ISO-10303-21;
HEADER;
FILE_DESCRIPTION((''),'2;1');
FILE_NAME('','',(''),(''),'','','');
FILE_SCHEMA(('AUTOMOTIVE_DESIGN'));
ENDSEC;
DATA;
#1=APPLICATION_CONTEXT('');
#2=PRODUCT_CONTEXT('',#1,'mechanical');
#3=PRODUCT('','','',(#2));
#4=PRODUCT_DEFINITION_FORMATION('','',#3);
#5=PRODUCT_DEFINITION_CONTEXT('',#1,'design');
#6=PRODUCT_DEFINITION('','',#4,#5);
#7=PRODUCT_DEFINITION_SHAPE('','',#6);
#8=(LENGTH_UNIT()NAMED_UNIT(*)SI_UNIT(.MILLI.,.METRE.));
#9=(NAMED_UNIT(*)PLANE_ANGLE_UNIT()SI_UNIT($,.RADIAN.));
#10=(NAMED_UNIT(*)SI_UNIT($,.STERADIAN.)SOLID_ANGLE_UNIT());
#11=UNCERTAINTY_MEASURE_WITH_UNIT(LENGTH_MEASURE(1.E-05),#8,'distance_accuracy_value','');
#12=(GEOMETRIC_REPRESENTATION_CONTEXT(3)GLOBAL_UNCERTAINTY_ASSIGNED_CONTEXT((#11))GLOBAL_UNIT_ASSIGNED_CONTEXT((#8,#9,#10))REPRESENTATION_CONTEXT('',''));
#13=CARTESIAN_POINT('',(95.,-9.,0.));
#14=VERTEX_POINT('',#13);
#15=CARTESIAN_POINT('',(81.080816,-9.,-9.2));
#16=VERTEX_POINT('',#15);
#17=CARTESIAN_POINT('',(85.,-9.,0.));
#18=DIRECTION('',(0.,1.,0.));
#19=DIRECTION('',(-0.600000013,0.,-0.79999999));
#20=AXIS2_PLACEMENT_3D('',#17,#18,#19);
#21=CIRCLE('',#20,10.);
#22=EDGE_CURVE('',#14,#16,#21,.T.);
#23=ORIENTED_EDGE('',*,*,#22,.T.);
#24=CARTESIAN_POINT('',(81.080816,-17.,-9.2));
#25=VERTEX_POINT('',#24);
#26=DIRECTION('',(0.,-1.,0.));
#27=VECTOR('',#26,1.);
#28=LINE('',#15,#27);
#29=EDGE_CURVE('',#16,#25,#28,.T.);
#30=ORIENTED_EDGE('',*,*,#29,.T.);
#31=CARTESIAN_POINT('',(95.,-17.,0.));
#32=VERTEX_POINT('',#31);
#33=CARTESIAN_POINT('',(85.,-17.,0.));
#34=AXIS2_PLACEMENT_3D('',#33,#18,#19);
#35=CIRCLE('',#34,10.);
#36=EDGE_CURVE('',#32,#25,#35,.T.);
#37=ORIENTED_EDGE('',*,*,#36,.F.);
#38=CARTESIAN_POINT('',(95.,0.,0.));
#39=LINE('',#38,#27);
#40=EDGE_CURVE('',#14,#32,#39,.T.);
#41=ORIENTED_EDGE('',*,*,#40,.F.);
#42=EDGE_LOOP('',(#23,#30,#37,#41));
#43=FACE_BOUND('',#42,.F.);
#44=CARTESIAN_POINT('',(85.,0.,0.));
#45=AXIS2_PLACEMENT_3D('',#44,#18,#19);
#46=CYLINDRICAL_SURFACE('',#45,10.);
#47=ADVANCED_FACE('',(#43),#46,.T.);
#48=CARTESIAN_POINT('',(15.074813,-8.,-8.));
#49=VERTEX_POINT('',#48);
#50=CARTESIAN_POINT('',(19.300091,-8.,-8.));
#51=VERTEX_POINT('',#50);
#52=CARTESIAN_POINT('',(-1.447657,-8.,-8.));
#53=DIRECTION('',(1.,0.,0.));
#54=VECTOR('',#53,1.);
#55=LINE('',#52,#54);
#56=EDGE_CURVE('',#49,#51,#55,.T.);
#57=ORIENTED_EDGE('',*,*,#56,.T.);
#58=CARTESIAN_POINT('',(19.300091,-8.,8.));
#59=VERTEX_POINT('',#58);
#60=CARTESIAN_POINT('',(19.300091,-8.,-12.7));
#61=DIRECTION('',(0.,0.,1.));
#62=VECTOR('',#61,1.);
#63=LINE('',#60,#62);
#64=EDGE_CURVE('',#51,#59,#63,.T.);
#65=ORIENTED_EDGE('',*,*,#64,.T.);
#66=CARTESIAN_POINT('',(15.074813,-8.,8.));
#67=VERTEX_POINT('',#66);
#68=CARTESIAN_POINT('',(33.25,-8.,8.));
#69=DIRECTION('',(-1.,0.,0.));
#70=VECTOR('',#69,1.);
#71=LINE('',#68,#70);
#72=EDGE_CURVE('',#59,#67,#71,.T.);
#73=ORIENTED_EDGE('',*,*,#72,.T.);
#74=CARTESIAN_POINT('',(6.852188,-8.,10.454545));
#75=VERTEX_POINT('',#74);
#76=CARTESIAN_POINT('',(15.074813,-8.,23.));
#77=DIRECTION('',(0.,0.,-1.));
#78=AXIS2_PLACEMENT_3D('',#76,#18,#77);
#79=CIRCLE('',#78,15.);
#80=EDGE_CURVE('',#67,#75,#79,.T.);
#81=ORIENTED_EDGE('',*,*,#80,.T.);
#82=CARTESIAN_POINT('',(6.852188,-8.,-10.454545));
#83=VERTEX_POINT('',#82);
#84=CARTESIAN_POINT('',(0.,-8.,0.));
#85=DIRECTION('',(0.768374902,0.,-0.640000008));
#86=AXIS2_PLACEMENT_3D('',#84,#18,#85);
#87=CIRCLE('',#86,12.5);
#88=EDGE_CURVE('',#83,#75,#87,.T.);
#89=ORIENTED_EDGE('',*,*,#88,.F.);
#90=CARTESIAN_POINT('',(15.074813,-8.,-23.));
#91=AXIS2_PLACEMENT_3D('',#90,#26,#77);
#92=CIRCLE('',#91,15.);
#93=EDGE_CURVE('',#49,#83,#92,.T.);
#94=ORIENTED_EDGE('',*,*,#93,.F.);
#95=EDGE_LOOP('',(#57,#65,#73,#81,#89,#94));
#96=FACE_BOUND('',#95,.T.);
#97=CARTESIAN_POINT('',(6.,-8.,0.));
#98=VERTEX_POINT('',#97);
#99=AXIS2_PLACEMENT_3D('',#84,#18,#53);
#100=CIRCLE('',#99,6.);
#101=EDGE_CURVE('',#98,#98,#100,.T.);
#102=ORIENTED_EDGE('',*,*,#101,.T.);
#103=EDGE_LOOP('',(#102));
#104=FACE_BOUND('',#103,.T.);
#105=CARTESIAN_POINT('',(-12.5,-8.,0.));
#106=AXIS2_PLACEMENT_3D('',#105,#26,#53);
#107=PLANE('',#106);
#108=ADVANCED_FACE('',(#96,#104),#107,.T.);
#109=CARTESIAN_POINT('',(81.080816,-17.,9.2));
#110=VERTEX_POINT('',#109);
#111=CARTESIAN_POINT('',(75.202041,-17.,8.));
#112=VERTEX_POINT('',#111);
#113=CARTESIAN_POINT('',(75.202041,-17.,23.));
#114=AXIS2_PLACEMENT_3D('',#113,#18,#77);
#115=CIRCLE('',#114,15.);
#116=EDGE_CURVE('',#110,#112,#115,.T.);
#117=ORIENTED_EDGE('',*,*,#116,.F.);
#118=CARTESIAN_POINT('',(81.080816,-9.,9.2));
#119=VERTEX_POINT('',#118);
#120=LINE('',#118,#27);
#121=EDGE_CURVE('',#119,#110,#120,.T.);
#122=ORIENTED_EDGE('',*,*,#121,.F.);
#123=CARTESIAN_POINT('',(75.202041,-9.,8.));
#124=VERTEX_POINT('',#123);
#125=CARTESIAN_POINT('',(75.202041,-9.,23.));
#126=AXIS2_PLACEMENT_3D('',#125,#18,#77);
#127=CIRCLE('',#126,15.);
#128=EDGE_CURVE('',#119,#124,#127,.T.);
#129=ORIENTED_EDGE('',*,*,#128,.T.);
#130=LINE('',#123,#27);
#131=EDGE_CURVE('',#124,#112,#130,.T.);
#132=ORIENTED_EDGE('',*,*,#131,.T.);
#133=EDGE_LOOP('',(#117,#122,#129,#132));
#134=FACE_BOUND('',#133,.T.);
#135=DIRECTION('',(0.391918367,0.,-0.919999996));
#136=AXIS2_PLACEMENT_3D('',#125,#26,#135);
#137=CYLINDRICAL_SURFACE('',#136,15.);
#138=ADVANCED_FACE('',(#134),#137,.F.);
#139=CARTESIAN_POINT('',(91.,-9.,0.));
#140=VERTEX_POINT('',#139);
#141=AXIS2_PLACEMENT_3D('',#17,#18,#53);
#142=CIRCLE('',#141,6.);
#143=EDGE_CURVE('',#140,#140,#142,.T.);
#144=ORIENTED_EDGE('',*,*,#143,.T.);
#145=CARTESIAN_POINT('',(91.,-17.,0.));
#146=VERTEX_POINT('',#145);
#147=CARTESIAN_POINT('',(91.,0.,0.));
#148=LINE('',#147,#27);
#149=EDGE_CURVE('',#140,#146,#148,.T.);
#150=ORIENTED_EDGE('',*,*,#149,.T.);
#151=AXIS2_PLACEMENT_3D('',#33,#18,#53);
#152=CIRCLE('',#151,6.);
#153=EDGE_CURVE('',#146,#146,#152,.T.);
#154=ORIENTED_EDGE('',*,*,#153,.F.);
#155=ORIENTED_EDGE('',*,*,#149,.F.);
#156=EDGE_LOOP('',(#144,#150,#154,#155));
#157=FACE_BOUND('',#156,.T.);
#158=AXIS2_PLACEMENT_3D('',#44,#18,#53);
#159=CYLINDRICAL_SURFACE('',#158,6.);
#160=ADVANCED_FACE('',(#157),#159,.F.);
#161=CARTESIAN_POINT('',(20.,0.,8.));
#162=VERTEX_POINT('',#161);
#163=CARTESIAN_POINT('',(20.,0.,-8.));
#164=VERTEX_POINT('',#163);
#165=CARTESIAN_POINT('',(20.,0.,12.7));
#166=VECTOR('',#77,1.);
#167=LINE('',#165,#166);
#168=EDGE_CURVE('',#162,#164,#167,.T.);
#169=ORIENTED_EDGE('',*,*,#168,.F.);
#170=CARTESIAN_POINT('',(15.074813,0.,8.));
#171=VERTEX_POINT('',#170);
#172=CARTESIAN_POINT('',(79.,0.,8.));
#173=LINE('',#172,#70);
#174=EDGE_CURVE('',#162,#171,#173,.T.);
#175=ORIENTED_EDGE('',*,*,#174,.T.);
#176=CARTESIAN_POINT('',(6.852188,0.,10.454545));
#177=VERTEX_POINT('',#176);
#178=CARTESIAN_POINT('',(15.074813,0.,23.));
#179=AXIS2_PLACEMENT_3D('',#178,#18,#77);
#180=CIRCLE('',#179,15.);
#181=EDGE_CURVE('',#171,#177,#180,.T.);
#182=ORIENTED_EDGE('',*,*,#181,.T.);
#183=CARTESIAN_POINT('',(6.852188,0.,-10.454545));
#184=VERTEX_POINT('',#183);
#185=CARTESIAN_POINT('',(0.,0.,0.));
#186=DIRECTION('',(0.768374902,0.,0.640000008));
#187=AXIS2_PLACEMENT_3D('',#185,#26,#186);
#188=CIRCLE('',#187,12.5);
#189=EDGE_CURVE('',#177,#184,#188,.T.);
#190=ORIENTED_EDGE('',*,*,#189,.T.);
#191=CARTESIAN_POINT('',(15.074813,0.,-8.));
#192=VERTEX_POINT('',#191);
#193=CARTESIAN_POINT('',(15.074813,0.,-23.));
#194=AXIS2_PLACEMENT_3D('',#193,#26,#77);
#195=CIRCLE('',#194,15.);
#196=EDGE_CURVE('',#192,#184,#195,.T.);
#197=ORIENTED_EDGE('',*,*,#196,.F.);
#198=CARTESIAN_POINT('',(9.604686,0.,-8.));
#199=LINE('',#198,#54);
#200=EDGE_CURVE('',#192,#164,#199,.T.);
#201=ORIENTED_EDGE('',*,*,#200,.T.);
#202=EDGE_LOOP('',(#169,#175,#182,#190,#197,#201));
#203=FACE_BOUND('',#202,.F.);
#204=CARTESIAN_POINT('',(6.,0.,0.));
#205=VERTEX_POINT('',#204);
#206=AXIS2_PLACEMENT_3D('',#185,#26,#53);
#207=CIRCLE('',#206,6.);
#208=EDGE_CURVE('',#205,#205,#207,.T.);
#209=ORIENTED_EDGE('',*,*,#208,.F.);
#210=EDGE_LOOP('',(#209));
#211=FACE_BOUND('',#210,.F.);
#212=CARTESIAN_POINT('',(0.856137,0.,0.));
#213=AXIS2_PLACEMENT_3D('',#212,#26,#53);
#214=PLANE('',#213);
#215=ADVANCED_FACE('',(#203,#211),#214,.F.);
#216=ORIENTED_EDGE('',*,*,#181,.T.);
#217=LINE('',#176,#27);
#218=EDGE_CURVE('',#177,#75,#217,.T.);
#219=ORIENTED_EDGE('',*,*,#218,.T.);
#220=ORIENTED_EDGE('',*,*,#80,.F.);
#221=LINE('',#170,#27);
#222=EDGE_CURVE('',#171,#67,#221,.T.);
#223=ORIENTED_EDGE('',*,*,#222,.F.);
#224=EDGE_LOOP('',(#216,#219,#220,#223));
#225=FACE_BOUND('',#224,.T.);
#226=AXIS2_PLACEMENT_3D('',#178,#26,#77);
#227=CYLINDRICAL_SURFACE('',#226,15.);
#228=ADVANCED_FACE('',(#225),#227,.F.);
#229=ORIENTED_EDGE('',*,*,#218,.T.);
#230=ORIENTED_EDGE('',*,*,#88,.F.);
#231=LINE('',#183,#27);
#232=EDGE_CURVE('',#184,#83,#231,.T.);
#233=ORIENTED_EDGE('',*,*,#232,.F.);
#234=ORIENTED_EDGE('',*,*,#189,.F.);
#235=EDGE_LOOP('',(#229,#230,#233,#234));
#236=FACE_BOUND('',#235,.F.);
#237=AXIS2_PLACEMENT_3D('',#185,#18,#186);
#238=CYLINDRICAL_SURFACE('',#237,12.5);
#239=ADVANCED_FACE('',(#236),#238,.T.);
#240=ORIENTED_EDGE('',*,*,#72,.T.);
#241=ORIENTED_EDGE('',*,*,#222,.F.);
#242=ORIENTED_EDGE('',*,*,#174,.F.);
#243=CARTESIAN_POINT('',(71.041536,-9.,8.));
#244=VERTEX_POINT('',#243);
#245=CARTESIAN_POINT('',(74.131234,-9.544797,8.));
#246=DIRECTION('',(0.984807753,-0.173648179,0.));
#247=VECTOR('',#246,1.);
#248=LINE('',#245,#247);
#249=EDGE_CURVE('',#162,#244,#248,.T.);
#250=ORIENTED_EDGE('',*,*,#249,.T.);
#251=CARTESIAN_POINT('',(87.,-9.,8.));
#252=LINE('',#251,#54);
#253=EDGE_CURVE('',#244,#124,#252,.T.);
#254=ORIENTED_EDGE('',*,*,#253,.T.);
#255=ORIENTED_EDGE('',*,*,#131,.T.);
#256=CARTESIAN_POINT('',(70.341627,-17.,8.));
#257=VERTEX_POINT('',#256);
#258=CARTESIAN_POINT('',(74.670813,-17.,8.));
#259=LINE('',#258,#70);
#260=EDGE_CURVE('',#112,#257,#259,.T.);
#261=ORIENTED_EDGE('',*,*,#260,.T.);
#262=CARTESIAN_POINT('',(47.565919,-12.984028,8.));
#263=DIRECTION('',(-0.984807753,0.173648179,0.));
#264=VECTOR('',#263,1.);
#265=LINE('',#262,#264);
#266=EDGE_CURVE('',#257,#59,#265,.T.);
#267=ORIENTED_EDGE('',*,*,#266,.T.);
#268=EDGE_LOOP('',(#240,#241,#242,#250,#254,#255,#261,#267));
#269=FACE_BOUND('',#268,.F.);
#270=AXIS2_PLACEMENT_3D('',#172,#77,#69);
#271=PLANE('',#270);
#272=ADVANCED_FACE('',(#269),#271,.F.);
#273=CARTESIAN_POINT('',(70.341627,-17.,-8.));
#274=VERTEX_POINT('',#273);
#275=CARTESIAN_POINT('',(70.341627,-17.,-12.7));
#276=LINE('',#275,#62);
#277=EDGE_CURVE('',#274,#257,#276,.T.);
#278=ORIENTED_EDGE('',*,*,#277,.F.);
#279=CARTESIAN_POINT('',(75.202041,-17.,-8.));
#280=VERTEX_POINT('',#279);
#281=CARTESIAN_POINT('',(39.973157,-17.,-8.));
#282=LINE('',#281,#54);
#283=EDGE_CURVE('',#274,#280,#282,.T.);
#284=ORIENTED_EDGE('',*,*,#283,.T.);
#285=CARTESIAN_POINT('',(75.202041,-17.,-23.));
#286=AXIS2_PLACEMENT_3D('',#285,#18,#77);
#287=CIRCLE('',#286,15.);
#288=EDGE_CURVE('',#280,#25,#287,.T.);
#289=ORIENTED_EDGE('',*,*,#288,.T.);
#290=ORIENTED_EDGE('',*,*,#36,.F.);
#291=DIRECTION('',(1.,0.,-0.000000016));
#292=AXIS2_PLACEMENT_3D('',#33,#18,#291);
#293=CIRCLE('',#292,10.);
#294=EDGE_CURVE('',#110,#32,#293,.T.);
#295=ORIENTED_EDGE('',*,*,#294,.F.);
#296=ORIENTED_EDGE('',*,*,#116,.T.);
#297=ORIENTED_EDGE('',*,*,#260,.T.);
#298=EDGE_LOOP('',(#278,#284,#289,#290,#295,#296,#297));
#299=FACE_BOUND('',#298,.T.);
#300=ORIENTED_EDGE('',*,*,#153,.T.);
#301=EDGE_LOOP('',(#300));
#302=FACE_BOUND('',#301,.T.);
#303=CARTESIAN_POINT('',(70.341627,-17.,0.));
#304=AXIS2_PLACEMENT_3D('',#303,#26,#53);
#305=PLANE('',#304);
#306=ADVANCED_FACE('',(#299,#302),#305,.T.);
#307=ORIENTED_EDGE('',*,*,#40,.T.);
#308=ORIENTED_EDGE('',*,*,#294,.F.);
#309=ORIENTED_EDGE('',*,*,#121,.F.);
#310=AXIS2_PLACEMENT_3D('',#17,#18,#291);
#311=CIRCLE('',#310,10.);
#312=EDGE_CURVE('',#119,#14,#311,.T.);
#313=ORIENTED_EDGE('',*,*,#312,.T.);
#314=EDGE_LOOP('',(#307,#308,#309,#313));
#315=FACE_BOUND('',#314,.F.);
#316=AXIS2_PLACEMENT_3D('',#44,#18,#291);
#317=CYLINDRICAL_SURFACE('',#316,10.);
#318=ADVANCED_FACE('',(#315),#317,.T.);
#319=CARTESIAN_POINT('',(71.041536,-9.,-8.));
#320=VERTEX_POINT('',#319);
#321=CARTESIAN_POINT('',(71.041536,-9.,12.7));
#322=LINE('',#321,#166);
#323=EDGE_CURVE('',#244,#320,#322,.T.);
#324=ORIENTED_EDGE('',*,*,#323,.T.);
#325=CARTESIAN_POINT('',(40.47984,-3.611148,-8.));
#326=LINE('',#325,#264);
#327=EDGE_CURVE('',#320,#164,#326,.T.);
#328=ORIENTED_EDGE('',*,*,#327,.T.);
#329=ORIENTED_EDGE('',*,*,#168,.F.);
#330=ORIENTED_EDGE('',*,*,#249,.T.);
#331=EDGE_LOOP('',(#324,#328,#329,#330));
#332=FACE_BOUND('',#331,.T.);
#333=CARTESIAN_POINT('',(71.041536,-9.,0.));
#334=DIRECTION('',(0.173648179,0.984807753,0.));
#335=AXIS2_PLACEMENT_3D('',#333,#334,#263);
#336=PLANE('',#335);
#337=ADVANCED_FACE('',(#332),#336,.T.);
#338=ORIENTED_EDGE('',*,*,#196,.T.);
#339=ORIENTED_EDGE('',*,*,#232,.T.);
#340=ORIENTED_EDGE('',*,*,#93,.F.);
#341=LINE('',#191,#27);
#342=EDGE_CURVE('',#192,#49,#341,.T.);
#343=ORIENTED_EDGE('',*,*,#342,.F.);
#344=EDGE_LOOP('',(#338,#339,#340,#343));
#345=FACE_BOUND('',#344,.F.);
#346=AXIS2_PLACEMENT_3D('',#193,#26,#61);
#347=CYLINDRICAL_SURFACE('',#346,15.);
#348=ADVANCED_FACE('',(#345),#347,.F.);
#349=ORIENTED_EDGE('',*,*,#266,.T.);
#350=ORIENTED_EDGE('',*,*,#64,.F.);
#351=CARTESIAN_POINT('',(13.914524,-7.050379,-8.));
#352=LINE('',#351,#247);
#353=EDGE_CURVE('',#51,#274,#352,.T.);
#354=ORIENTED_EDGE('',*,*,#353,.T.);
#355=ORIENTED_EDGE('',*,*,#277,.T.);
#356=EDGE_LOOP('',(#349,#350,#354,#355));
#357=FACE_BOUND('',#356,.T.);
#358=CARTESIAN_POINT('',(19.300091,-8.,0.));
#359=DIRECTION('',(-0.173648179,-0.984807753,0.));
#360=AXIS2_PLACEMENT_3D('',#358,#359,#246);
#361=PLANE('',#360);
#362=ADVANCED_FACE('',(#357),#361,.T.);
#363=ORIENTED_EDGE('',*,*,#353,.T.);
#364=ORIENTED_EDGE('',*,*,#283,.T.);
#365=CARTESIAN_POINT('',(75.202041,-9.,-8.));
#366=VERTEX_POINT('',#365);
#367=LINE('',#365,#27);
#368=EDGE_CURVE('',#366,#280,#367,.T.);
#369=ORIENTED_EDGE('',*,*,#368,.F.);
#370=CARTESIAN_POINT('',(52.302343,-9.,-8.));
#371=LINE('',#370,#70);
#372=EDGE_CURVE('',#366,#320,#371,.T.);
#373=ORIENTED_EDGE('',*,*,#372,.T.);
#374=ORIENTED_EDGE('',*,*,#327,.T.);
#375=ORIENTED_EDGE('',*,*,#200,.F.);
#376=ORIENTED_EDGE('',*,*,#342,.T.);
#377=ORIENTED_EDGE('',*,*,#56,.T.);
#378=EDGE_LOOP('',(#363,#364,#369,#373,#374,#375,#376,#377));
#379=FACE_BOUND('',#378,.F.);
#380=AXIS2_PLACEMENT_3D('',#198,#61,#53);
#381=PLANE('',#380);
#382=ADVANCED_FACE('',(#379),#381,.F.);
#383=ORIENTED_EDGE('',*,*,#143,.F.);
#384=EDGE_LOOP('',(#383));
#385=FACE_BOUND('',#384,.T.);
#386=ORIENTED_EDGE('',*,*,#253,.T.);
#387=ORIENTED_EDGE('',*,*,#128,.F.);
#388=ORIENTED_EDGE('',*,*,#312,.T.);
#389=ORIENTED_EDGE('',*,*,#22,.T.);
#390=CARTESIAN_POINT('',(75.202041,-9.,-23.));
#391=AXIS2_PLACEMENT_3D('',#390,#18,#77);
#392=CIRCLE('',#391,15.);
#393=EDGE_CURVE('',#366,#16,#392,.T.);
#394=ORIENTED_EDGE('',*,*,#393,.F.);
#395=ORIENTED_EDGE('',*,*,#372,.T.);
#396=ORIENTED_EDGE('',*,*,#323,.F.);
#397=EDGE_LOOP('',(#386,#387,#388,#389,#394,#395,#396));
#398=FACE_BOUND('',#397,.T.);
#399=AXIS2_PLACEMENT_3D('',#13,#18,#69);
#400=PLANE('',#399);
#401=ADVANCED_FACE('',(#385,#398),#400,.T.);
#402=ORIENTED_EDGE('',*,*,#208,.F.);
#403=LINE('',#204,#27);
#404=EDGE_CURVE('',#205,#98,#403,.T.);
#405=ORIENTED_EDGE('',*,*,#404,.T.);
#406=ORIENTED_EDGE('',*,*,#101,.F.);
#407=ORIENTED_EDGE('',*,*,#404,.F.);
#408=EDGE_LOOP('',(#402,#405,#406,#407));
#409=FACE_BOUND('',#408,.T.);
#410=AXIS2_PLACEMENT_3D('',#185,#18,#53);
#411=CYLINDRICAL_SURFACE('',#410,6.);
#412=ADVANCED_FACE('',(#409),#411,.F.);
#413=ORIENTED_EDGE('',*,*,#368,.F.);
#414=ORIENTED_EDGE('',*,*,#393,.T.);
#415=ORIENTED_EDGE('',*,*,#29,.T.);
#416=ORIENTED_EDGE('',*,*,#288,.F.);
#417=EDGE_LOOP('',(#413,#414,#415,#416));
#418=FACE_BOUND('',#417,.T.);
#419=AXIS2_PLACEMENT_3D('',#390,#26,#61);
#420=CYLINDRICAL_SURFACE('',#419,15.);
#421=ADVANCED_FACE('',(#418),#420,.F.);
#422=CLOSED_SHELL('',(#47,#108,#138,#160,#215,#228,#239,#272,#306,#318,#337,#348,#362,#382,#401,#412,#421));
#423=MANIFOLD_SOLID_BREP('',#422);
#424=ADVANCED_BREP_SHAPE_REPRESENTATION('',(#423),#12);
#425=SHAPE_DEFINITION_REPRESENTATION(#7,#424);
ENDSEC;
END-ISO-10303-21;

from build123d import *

# Parameters (mm, degrees)
F0_R     = 6
F1_DEPTH = 25
F3_DEPTH = 12.7
F4_R     = 15
F5_R     = 15


with BuildPart() as f1:
    # F0 (on Front) → F1 (new body)
    with BuildSketch(Plane.XZ):
        with BuildLine():
            ThreePointArc((9.604686, -8), (11.753905, -4.253905), (12.5, 0))
            ThreePointArc((12.5, 0), (11.753905, 4.253905), (9.604686, 8))
            ThreePointArc((9.604686, 8), (-12.5, 0), (9.604686, -8))
        make_face()
        Circle(F0_R, mode=Mode.SUBTRACT)
        with BuildLine():
            ThreePointArc((9.604686, 8), (11.753905, 4.253905), (12.5, 0))
            ThreePointArc((12.5, 0), (11.753905, -4.253905), (9.604686, -8))
            Line((9.604686, -8), (79, -8))
            ThreePointArc((79, -8), (75, 0), (79, 8))
            Line((79, 8), (9.604686, 8))
        make_face()
        with BuildLine():
            ThreePointArc((95, 0), (89.472136, 8.944272), (79, 8))
            ThreePointArc((79, 8), (75, 0), (79, -8))
            ThreePointArc((79, -8), (89.472136, -8.944272), (95, 0))
        make_face()
        with Locations((85, 0)):
            Circle(F0_R, mode=Mode.SUBTRACT)
    extrude(amount=F1_DEPTH)

    # F2 (on Top) → F3 (intersect, symmetric)
    with BuildSketch(Plane.XY):
        Polygon((20, 0), (0, 0), (-12.5, 0), (-12.5, -8), (0, -8), (19.300091, -8), (70.341627, -17), (95, -17), (95, -9), (71.041536, -9), align=None)
    extrude(amount=F3_DEPTH, both=True, mode=Mode.INTERSECT)

    # F4
    f4_edges = [f1.edges().sort_by_distance(p)[0] for p in [
        (79, -13, 8),
    ]]
    fillet(f4_edges, radius=F4_R)

    # F5
    f5_edges = [f1.edges().sort_by_distance(p)[0] for p in [
        (9.604686, -4, 8),
        (9.604686, -4, -8),
        (79, -13, -8),
    ]]
    fillet(f5_edges, radius=F5_R)


solid = f1.part
